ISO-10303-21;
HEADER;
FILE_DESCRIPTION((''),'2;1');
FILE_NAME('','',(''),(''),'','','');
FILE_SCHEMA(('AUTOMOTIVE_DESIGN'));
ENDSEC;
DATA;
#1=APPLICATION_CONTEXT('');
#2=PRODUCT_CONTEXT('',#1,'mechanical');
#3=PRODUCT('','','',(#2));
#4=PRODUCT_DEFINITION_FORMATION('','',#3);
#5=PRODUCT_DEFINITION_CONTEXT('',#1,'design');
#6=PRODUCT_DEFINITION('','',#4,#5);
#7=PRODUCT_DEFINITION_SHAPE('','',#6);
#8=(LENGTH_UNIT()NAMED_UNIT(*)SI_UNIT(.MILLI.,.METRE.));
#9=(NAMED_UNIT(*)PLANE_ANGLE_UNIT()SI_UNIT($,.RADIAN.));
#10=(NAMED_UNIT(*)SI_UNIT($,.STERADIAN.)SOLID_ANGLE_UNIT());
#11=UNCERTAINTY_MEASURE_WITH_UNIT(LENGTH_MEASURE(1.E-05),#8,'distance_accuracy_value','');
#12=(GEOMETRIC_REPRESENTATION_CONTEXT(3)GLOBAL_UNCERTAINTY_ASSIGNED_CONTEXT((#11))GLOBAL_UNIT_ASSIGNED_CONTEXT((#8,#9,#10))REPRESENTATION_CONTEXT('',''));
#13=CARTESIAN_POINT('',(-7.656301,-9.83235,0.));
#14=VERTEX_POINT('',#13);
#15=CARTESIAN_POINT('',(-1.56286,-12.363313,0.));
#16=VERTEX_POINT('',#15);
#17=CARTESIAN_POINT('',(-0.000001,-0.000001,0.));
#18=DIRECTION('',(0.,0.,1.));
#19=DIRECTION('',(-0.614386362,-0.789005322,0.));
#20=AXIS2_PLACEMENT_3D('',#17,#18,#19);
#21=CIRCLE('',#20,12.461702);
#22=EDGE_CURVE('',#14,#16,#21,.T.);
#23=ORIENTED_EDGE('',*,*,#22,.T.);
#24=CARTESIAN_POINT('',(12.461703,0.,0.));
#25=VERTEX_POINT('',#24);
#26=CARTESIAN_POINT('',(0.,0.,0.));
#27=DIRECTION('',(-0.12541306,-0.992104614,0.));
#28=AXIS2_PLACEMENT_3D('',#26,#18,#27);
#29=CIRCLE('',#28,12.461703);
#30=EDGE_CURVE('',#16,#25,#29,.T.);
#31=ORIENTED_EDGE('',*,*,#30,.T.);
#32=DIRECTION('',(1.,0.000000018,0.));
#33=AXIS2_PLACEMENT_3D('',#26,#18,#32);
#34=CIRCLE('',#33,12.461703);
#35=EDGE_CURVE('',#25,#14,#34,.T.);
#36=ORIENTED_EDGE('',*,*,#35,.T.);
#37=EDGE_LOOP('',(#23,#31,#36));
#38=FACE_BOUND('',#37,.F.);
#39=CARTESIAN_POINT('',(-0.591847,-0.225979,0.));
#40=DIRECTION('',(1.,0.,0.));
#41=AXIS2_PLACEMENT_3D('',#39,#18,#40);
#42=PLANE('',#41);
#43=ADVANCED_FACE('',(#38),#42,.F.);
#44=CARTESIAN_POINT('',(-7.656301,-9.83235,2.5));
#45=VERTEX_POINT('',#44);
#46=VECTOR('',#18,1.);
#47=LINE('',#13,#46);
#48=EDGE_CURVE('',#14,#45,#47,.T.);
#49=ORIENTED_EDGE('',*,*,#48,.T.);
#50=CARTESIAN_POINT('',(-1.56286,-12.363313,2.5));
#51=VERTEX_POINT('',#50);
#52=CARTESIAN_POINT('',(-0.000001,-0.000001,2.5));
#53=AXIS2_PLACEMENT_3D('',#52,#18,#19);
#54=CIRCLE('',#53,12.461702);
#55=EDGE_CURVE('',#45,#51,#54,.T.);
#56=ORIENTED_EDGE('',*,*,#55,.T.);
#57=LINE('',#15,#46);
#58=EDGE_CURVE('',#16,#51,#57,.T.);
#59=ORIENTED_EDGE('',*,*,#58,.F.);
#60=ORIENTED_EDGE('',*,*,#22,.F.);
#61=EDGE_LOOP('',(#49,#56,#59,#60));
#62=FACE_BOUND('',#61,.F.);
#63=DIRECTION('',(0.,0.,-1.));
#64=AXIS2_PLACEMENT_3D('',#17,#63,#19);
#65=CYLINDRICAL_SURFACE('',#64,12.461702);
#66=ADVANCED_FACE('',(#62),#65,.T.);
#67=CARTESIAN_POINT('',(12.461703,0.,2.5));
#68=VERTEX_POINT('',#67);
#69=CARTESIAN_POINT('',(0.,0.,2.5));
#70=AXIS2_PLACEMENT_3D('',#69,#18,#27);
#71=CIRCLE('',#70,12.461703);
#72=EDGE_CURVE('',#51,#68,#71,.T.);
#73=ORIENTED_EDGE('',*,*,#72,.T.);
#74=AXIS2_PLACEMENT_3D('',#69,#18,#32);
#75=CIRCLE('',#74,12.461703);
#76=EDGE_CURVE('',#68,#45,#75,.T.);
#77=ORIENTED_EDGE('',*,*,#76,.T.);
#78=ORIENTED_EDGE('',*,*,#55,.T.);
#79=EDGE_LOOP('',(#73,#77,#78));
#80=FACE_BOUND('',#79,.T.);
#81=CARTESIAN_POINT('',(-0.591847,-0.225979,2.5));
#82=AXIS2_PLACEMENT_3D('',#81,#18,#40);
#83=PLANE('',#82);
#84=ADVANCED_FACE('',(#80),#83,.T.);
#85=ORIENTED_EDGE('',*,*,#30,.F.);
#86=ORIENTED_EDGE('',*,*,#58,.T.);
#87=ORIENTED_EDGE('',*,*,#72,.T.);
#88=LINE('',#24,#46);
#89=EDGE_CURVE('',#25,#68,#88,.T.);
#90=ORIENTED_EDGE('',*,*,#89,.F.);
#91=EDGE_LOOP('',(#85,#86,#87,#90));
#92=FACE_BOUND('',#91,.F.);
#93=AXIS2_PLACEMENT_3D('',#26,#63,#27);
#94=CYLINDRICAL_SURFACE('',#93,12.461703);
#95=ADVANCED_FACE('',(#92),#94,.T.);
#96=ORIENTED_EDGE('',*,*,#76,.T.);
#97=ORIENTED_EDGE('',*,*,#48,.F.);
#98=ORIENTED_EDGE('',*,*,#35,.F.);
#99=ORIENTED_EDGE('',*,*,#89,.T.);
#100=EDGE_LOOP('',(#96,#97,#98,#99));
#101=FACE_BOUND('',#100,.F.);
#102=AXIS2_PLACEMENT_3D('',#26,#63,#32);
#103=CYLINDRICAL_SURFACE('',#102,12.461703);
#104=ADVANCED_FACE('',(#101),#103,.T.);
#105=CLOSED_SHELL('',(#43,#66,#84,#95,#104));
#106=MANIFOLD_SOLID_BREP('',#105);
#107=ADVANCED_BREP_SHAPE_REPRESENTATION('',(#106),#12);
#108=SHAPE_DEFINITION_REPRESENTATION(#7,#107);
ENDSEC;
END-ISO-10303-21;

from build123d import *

# Parameters (mm, degrees)
F1_DEPTH = 2.5


with BuildPart() as f1:
    # F0 (on Top) → F1 (new body)
    with BuildSketch(Plane.XY):
        with BuildLine():
            ThreePointArc((-1.56286, -12.363313), (8.240696, -9.347993), (12.461703, 0))
            ThreePointArc((12.461703, 0), (-5.471905, 11.196084), (-7.656301, -9.83235))
            Line((-7.656301, -9.83235), (-3.494203, -4.092034))
            Line((-3.494203, -4.092034), (-7.656301, -5.227912))
            Line((-7.656301, -5.227912), (-1.883301, 1.74245))
            Line((-1.883301, 1.74245), (-6.330649, 0.929954))
            Line((-6.330649, 0.929954), (3.119965, 10.12399))
            Line((3.119965, 10.12399), (-0.429361, 3.538495))
            Line((-0.429361, 3.538495), (3.077202, 4.008887))
            Line((3.077202, 4.008887), (-1.476658, -2.067189))
            Line((-1.476658, -2.067189), (1.558829, -1.750048))
            Line((1.558829, -1.750048), (-2.952375, -8.306845))
            Line((-2.952375, -8.306845), (0.652713, -7.866329))
            Line((0.652713, -7.866329), (-1.56286, -12.363313))
        make_face()
        with BuildLine():
            Line((-3.494203, -4.092034), (-7.656301, -9.83235))
            ThreePointArc((-7.656301, -9.83235), (-4.780133, -11.508448), (-1.56286, -12.363313))
            Line((-1.56286, -12.363313), (0.652713, -7.866329))
            Line((0.652713, -7.866329), (-2.952375, -8.306845))
            Line((-2.952375, -8.306845), (1.558829, -1.750048))
            Line((1.558829, -1.750048), (-1.476658, -2.067189))
            Line((-1.476658, -2.067189), (3.077202, 4.008887))
            Line((3.077202, 4.008887), (-0.429361, 3.538495))
            Line((-0.429361, 3.538495), (3.119965, 10.12399))
            Line((3.119965, 10.12399), (-6.330649, 0.929954))
            Line((-6.330649, 0.929954), (-1.883301, 1.74245))
            Line((-1.883301, 1.74245), (-7.656301, -5.227912))
            Line((-7.656301, -5.227912), (-3.494203, -4.092034))
        make_face()
    extrude(amount=F1_DEPTH)


solid = f1.part
